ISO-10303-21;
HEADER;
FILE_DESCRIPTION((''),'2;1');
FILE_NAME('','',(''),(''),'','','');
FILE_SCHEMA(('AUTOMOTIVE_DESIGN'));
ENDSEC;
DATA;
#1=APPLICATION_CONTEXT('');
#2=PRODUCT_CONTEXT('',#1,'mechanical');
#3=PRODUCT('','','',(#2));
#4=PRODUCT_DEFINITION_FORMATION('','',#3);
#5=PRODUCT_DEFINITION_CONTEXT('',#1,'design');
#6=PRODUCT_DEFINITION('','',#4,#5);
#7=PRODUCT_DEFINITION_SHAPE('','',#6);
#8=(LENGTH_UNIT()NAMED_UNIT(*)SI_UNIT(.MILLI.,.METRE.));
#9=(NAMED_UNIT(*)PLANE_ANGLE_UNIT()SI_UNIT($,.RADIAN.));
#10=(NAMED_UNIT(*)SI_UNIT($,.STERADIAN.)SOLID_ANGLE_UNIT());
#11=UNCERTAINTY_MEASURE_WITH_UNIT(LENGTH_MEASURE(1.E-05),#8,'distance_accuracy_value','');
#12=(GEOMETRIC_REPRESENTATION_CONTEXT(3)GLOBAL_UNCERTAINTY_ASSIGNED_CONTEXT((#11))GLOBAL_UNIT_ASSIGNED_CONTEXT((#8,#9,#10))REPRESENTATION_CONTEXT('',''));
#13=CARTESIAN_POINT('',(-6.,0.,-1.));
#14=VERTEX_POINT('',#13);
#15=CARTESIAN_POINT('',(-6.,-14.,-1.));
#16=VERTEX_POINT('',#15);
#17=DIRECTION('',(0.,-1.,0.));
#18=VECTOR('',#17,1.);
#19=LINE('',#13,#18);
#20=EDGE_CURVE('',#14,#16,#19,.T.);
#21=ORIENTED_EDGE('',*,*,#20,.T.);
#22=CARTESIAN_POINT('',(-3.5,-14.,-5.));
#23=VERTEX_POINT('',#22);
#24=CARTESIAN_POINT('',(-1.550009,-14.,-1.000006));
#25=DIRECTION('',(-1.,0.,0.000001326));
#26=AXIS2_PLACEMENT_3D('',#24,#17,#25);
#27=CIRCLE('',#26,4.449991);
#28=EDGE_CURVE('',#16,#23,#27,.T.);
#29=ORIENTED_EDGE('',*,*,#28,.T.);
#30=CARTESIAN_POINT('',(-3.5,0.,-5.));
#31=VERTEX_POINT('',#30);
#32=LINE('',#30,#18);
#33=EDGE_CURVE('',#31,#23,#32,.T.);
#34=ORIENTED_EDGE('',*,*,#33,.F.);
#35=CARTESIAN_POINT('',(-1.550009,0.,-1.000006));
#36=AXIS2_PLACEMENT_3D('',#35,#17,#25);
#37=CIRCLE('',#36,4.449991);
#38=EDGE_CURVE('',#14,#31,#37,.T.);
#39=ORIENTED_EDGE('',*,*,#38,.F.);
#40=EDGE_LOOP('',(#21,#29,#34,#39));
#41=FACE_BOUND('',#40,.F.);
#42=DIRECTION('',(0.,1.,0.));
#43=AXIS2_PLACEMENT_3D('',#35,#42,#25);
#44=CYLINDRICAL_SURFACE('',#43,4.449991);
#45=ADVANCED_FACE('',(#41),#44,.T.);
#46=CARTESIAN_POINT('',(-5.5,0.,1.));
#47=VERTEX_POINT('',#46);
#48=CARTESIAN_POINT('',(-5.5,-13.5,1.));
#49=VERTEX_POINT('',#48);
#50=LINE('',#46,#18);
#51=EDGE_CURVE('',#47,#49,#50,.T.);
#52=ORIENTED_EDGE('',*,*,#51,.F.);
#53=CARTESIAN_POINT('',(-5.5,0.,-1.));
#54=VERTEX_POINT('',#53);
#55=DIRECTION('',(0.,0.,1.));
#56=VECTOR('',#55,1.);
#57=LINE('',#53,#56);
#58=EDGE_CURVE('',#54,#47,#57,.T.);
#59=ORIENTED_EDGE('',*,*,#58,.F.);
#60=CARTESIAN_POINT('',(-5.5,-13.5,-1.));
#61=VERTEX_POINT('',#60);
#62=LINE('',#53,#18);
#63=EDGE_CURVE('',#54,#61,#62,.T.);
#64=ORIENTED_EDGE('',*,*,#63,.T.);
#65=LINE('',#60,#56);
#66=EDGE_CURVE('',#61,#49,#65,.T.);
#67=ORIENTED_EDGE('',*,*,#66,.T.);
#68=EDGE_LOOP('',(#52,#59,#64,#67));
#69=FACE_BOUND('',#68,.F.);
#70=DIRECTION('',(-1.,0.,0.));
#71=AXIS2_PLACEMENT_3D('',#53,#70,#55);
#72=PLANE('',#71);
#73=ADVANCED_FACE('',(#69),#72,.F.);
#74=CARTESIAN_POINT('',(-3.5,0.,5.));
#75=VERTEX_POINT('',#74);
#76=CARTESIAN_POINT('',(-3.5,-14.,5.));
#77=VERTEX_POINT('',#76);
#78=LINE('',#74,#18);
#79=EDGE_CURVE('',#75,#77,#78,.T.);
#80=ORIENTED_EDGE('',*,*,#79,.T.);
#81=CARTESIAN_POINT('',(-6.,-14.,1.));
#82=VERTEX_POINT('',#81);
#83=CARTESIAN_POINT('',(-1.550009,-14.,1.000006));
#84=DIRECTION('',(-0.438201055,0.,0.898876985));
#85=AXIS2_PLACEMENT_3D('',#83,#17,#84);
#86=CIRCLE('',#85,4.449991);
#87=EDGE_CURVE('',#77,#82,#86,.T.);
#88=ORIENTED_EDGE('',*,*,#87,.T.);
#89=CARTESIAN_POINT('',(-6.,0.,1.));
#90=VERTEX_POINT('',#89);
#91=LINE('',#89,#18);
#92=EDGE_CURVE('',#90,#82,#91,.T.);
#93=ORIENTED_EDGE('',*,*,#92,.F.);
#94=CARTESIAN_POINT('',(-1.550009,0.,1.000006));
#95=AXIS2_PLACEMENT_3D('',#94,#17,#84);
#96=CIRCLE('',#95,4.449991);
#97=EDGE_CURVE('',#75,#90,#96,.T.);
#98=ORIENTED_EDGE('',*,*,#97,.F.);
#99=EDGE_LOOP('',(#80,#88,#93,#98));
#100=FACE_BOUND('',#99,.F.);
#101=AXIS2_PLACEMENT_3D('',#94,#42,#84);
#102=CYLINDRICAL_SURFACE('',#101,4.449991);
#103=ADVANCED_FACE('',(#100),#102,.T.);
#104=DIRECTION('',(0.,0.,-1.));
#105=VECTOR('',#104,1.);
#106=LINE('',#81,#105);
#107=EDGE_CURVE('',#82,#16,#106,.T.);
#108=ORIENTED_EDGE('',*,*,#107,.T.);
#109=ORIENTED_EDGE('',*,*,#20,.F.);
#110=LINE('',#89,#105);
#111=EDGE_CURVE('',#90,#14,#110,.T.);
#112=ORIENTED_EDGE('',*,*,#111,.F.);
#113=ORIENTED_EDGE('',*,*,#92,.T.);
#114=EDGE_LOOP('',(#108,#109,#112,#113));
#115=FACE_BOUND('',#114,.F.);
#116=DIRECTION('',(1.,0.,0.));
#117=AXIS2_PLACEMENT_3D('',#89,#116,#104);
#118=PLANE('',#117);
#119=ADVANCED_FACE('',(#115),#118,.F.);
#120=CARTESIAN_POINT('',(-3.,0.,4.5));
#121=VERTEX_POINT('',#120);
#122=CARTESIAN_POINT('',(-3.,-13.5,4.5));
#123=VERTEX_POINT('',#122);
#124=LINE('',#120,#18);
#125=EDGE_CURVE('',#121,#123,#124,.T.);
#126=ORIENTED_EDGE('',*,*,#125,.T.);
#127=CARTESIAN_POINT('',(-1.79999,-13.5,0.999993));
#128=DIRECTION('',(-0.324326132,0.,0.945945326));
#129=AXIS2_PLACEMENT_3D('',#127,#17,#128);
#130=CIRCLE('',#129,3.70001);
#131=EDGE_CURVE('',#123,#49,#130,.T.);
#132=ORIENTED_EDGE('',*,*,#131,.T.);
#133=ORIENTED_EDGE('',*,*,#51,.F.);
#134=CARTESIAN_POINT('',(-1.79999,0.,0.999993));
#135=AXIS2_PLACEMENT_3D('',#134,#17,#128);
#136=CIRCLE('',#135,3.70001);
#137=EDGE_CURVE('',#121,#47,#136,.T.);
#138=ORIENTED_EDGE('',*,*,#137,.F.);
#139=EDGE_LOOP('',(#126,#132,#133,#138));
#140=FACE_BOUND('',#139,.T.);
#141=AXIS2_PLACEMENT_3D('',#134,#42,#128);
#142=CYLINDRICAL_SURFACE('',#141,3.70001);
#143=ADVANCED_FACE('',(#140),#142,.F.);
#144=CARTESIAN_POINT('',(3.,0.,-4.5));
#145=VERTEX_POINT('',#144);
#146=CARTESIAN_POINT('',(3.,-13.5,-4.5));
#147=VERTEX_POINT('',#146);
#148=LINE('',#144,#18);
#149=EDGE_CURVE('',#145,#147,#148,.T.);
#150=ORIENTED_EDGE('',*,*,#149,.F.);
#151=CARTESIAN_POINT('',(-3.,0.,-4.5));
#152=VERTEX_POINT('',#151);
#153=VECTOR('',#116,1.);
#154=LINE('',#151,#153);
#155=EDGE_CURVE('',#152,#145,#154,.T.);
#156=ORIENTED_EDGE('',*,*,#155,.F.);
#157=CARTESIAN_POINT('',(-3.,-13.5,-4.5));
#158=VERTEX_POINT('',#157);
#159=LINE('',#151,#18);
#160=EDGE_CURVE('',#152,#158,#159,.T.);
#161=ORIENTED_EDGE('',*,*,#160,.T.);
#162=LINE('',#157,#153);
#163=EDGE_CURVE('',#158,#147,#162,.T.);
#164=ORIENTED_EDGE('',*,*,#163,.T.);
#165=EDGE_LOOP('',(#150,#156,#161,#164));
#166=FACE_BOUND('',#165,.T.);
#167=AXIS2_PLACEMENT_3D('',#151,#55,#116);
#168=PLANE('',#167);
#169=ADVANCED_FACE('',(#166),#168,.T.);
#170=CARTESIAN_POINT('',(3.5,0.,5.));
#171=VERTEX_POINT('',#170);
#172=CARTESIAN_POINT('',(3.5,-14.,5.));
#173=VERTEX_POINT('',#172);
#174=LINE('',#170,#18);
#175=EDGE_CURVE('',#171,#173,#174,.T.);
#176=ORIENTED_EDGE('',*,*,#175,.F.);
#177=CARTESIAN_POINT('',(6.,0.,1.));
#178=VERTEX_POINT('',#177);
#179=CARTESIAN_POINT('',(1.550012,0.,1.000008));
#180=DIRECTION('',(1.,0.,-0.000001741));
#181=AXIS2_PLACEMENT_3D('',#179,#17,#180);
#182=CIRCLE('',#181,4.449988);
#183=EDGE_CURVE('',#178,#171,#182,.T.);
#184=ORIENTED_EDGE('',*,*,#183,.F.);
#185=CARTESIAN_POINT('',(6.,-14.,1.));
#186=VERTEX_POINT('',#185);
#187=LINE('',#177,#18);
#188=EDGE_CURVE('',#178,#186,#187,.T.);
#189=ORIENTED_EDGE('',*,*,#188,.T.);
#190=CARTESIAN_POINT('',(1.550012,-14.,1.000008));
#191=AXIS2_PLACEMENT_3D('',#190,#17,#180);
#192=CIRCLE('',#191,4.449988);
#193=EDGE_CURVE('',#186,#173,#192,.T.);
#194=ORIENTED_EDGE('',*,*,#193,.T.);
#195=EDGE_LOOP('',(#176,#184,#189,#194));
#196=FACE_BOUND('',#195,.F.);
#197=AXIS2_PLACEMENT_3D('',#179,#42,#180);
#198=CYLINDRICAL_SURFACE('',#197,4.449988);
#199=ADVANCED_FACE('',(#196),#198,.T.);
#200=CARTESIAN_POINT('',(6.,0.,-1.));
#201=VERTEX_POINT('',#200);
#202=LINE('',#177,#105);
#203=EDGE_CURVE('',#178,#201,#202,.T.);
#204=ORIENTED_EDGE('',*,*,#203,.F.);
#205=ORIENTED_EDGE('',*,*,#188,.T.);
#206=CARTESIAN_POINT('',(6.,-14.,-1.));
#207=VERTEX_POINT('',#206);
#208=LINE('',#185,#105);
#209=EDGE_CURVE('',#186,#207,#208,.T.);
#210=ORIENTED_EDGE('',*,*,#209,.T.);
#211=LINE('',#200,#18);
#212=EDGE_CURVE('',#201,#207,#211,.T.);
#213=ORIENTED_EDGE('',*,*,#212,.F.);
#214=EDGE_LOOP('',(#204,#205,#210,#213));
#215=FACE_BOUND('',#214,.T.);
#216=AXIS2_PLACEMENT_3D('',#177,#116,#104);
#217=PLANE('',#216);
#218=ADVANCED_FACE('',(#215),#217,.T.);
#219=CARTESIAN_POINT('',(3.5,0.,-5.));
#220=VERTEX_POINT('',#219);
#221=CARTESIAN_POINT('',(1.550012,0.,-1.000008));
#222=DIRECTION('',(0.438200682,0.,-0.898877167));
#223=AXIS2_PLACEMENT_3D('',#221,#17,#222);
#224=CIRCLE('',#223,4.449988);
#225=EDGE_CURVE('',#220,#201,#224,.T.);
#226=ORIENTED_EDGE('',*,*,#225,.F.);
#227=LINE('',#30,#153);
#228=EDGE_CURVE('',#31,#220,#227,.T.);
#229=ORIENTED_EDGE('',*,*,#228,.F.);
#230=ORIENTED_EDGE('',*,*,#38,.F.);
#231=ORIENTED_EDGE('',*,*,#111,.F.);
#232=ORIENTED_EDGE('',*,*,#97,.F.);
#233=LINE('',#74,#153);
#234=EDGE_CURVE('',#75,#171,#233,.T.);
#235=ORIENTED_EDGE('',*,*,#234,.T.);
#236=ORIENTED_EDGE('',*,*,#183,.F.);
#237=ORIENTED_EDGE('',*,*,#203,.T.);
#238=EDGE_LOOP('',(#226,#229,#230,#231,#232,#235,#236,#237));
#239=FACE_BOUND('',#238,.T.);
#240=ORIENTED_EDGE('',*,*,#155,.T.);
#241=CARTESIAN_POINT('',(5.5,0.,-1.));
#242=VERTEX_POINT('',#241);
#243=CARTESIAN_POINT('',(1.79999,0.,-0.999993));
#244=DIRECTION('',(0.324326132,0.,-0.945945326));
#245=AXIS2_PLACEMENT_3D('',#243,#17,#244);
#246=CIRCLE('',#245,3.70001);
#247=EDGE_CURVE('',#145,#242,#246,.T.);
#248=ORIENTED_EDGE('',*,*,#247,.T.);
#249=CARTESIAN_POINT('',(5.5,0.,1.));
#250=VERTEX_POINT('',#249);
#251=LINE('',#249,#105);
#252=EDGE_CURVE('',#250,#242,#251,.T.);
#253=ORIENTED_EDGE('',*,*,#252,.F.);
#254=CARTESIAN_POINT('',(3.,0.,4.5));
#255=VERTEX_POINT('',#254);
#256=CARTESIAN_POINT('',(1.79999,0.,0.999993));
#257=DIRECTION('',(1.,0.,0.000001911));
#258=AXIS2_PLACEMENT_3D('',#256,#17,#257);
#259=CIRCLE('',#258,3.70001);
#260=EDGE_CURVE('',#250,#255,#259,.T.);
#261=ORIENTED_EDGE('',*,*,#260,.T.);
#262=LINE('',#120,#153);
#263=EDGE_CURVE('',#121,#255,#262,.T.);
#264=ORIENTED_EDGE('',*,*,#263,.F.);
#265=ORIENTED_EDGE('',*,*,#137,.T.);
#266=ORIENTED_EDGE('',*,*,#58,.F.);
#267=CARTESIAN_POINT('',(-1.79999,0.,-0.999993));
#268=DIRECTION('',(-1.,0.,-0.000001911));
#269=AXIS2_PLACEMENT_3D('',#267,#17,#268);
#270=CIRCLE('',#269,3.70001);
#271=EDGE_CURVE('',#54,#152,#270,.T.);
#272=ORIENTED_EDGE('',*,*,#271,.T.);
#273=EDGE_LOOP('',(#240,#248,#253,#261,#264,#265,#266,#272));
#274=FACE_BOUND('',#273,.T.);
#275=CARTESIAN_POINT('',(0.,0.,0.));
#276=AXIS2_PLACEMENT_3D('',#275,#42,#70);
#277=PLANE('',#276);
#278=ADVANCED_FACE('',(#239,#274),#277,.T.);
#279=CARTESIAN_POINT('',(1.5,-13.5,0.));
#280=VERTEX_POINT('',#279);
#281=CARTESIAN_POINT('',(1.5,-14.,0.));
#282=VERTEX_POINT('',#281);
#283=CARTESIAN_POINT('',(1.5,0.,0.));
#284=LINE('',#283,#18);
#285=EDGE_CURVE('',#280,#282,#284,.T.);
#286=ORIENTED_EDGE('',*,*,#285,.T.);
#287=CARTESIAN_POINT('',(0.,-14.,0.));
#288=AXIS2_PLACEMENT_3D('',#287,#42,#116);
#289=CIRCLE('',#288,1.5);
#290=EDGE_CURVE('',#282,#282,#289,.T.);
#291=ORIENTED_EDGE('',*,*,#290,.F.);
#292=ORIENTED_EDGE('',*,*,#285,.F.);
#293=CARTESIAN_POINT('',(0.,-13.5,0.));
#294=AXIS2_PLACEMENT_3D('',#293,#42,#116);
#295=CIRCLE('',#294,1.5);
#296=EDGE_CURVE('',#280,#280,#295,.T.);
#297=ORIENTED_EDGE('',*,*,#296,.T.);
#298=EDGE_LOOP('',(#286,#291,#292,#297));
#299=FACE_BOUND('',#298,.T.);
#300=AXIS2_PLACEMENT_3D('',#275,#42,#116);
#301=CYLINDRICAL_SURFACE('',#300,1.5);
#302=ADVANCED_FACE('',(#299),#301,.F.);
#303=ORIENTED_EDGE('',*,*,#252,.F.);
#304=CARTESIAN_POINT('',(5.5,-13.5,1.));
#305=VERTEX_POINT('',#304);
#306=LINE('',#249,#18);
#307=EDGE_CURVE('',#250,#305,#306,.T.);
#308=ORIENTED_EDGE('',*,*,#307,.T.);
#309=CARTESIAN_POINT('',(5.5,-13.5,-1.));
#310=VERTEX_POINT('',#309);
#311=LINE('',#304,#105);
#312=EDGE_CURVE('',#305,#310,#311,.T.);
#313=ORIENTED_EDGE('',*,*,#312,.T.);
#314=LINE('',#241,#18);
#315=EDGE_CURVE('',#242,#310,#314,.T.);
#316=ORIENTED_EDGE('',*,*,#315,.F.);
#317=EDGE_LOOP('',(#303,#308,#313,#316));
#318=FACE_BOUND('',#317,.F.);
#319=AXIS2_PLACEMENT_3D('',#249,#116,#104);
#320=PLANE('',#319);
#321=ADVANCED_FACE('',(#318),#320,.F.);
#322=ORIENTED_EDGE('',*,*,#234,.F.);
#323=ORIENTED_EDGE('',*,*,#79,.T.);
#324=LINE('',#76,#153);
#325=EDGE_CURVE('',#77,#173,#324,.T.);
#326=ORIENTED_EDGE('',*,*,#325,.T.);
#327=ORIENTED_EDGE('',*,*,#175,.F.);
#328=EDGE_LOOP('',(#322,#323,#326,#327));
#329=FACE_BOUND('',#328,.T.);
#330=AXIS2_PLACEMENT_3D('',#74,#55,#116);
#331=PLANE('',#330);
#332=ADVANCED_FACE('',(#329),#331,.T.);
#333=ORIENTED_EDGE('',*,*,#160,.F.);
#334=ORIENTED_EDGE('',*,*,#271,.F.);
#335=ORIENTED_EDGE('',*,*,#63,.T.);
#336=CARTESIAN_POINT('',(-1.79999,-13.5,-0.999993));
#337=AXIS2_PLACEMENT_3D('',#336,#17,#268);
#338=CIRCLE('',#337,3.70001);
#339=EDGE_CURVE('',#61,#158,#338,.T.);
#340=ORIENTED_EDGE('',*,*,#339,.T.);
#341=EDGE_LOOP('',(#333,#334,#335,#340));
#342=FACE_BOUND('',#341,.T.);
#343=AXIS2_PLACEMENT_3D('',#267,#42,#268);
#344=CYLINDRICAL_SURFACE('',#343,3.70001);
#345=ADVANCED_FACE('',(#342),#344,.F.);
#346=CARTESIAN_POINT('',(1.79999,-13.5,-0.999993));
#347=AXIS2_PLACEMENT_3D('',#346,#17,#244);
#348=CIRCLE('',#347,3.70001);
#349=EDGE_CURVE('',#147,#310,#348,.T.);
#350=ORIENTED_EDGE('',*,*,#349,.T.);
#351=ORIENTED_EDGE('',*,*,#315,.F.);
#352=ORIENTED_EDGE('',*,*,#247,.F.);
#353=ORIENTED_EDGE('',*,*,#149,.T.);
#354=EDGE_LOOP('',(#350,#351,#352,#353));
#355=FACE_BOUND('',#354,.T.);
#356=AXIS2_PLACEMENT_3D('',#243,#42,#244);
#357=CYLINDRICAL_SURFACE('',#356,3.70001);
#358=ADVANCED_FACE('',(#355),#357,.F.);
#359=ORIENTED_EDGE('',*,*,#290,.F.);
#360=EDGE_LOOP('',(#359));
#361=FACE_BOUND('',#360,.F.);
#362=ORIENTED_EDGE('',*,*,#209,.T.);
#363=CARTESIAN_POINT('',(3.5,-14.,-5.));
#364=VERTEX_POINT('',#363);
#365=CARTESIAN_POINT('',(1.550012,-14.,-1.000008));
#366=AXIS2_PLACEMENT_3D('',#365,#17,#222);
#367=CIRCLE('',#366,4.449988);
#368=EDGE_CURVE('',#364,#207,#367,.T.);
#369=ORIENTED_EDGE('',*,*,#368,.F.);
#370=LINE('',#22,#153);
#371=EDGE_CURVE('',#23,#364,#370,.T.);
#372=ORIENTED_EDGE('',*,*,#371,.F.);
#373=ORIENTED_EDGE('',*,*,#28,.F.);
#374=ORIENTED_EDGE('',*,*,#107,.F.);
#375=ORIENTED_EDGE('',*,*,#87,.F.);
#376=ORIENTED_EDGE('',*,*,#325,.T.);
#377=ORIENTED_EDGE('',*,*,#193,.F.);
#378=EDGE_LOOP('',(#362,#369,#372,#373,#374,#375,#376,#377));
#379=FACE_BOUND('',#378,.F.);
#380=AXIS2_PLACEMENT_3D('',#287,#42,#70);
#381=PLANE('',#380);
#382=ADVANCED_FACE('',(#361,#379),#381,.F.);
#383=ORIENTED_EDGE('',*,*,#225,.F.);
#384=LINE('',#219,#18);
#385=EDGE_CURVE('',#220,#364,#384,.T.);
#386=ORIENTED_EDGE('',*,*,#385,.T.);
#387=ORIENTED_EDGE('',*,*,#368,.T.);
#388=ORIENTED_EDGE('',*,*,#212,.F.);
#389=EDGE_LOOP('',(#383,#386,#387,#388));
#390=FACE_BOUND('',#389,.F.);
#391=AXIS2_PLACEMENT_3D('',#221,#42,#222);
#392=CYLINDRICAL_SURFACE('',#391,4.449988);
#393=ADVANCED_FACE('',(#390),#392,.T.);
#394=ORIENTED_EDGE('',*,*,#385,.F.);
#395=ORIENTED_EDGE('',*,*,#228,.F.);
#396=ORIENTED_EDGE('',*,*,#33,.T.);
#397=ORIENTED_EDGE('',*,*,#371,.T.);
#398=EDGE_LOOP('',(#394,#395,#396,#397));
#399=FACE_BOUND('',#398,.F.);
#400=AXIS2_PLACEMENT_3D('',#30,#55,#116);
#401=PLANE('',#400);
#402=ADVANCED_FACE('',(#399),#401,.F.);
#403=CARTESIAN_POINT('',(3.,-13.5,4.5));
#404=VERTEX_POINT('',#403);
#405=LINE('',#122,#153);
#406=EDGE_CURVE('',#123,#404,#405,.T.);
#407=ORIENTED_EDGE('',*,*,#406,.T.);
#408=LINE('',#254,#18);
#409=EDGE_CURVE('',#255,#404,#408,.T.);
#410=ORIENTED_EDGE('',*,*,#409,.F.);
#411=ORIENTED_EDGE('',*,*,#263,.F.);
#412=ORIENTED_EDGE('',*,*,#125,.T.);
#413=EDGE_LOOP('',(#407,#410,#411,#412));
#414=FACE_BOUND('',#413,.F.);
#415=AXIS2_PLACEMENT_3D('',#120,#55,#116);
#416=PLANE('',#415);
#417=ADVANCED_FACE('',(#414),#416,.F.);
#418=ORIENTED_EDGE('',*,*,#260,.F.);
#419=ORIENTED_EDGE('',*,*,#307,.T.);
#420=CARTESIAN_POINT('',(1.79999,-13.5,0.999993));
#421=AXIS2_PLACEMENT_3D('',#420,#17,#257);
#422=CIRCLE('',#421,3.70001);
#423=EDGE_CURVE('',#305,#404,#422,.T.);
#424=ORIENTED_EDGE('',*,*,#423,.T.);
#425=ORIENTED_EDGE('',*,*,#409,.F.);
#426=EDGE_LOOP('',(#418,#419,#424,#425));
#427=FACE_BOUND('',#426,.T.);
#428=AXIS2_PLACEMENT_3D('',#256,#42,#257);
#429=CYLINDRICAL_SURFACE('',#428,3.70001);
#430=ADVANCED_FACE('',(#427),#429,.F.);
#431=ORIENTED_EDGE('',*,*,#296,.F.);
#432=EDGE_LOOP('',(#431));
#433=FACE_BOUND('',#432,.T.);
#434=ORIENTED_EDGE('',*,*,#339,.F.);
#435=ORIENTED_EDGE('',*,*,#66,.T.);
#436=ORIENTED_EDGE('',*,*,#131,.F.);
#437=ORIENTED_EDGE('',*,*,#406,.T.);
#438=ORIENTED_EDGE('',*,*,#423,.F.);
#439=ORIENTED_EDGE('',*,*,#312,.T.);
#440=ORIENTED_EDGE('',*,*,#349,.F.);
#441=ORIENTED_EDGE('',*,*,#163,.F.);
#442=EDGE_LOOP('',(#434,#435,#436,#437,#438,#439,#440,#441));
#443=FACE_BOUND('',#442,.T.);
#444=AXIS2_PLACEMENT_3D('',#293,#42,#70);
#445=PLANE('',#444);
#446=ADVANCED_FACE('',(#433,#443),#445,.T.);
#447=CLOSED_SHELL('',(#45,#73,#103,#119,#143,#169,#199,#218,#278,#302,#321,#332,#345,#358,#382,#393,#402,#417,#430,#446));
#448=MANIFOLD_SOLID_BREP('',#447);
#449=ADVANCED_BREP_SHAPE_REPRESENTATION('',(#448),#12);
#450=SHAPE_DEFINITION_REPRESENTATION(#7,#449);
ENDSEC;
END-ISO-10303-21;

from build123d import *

# Parameters (mm, degrees)
PAD_DEPTH       = 14
POCKET_DEPTH    = 13.5
SKETCH002_R     = 1.5
POCKET001_DEPTH = 14.001


with BuildPart() as part:
    # Sketch → Pad (new body)
    with BuildSketch(Plane.XZ):
        with BuildLine():
            Line((-3.5, 5), (3.5, 5))
            ThreePointArc((6, 1), (5.323594, 3.358497), (3.5, 5))
            Line((6, 1), (6, -1))
            ThreePointArc((3.5, -5), (5.323594, -3.358497), (6, -1))
            Line((-3.5, -5), (3.5, -5))
            ThreePointArc((-6, -1), (-5.323594, -3.358496), (-3.5, -5))
            Line((-6, 1), (-6, -1))
            ThreePointArc((-3.5, 5), (-5.323594, 3.358496), (-6, 1))
        make_face()
    extrude(amount=PAD_DEPTH)

    # Sketch001 → Pocket (cut)
    with BuildSketch(Plane.XZ):
        with BuildLine():
            Line((-3, 4.5), (3, 4.5))
            ThreePointArc((5.5, 1), (4.810812, 3.15058), (3, 4.5))
            Line((5.5, 1), (5.5, -1))
            ThreePointArc((3, -4.5), (4.810812, -3.15058), (5.5, -1))
            Line((-3, -4.5), (3, -4.5))
            ThreePointArc((-5.5, -1), (-4.810812, -3.15058), (-3, -4.5))
            Line((-5.5, -1), (-5.5, 1))
            ThreePointArc((-3, 4.5), (-4.810812, 3.15058), (-5.5, 1))
        make_face()
    extrude(amount=POCKET_DEPTH, mode=Mode.SUBTRACT)

    # Sketch002 → Pocket001 (cut, through all)
    with BuildSketch(Plane.XZ):
        Circle(SKETCH002_R)
    extrude(amount=POCKET001_DEPTH, mode=Mode.SUBTRACT)


solid = part.part
